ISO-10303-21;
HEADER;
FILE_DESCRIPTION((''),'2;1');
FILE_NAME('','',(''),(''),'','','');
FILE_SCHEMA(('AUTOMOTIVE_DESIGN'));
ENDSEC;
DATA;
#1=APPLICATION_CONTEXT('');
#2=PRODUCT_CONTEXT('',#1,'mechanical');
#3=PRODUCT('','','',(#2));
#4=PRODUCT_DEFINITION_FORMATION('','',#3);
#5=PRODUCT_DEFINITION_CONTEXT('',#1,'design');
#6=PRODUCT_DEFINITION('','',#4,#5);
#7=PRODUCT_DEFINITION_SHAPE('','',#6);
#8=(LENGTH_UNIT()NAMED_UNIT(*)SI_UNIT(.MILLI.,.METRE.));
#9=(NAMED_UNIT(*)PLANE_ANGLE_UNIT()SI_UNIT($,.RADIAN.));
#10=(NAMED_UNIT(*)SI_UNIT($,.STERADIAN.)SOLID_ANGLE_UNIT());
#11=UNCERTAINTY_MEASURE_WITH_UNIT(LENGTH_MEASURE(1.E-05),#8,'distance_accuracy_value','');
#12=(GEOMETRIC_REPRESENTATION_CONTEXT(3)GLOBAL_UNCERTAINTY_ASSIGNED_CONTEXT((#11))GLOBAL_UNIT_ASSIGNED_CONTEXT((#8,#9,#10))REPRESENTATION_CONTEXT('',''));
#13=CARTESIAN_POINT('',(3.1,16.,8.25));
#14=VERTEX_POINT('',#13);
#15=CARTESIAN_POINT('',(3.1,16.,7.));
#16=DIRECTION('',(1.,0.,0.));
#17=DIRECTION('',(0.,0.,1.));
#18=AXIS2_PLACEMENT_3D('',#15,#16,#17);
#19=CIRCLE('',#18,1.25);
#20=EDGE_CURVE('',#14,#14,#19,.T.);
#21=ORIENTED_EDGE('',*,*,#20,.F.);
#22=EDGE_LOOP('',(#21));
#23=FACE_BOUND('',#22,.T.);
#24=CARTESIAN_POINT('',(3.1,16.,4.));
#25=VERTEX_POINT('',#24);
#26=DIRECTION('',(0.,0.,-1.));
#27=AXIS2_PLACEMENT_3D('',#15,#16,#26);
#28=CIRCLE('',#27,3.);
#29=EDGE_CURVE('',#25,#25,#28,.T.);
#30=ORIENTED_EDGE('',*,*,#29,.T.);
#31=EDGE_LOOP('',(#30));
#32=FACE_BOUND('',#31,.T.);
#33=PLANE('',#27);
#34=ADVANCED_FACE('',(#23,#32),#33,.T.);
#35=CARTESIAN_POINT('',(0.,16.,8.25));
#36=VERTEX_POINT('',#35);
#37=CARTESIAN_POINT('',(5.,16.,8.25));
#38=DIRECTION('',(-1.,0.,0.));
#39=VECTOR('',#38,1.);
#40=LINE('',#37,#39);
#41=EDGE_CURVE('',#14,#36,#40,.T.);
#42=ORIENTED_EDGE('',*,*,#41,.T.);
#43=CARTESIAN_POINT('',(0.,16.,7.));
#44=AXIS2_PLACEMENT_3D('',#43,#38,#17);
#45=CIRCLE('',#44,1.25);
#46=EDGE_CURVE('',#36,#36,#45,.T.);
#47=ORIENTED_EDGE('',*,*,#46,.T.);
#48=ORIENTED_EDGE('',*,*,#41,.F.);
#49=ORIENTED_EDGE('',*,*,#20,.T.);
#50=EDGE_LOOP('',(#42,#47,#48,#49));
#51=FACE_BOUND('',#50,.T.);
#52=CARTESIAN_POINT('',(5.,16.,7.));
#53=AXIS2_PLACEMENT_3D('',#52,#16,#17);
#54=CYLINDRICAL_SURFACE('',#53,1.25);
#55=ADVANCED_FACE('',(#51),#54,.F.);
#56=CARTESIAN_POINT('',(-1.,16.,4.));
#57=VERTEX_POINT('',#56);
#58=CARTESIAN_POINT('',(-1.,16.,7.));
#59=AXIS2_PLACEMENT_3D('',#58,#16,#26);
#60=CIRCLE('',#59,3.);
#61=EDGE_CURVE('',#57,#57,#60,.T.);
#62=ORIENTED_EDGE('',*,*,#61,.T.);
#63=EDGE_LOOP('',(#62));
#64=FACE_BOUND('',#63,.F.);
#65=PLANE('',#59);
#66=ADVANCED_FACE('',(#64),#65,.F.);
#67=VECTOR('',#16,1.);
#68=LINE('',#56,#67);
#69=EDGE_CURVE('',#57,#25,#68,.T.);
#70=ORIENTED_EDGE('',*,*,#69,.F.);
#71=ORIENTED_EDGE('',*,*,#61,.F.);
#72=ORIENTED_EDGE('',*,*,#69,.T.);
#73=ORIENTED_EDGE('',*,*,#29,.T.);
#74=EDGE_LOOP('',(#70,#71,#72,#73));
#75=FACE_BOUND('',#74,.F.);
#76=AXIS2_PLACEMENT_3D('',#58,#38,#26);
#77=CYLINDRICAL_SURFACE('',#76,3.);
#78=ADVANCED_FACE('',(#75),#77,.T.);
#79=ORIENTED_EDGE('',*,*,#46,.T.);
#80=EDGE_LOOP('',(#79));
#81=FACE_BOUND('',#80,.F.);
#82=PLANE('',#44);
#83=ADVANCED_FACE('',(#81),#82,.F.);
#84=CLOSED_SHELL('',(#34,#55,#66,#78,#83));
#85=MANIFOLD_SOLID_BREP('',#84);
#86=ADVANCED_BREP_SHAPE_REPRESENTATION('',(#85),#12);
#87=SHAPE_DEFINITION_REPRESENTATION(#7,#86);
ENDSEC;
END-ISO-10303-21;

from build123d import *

# Parameters (mm, degrees)
CYLINDER065_R     = 1.25
CYLINDER065_DEPTH = 5
CYLINDER044_R     = 3
CYLINDER044_DEPTH = 4.1


with BuildPart() as b_w012:
    # Cylinder065 → Cylinder065 (new body)
    with BuildSketch(Plane(origin=(5, 16, 7), x_dir=(0, 0, 1), z_dir=(-1, 0, 0))):
        Circle(CYLINDER065_R)
    extrude(amount=CYLINDER065_DEPTH)


with BuildPart() as cut027:
    # Cylinder044 → Cylinder044 (new body)
    with BuildSketch(Plane(origin=(-1, 16, 7), x_dir=(0, 0, -1), z_dir=(1, 0, 0))):
        Circle(CYLINDER044_R)
    extrude(amount=CYLINDER044_DEPTH)

    # Cut027: cut B_W012
    add(b_w012.part, mode=Mode.SUBTRACT)


solid = cut027.part
